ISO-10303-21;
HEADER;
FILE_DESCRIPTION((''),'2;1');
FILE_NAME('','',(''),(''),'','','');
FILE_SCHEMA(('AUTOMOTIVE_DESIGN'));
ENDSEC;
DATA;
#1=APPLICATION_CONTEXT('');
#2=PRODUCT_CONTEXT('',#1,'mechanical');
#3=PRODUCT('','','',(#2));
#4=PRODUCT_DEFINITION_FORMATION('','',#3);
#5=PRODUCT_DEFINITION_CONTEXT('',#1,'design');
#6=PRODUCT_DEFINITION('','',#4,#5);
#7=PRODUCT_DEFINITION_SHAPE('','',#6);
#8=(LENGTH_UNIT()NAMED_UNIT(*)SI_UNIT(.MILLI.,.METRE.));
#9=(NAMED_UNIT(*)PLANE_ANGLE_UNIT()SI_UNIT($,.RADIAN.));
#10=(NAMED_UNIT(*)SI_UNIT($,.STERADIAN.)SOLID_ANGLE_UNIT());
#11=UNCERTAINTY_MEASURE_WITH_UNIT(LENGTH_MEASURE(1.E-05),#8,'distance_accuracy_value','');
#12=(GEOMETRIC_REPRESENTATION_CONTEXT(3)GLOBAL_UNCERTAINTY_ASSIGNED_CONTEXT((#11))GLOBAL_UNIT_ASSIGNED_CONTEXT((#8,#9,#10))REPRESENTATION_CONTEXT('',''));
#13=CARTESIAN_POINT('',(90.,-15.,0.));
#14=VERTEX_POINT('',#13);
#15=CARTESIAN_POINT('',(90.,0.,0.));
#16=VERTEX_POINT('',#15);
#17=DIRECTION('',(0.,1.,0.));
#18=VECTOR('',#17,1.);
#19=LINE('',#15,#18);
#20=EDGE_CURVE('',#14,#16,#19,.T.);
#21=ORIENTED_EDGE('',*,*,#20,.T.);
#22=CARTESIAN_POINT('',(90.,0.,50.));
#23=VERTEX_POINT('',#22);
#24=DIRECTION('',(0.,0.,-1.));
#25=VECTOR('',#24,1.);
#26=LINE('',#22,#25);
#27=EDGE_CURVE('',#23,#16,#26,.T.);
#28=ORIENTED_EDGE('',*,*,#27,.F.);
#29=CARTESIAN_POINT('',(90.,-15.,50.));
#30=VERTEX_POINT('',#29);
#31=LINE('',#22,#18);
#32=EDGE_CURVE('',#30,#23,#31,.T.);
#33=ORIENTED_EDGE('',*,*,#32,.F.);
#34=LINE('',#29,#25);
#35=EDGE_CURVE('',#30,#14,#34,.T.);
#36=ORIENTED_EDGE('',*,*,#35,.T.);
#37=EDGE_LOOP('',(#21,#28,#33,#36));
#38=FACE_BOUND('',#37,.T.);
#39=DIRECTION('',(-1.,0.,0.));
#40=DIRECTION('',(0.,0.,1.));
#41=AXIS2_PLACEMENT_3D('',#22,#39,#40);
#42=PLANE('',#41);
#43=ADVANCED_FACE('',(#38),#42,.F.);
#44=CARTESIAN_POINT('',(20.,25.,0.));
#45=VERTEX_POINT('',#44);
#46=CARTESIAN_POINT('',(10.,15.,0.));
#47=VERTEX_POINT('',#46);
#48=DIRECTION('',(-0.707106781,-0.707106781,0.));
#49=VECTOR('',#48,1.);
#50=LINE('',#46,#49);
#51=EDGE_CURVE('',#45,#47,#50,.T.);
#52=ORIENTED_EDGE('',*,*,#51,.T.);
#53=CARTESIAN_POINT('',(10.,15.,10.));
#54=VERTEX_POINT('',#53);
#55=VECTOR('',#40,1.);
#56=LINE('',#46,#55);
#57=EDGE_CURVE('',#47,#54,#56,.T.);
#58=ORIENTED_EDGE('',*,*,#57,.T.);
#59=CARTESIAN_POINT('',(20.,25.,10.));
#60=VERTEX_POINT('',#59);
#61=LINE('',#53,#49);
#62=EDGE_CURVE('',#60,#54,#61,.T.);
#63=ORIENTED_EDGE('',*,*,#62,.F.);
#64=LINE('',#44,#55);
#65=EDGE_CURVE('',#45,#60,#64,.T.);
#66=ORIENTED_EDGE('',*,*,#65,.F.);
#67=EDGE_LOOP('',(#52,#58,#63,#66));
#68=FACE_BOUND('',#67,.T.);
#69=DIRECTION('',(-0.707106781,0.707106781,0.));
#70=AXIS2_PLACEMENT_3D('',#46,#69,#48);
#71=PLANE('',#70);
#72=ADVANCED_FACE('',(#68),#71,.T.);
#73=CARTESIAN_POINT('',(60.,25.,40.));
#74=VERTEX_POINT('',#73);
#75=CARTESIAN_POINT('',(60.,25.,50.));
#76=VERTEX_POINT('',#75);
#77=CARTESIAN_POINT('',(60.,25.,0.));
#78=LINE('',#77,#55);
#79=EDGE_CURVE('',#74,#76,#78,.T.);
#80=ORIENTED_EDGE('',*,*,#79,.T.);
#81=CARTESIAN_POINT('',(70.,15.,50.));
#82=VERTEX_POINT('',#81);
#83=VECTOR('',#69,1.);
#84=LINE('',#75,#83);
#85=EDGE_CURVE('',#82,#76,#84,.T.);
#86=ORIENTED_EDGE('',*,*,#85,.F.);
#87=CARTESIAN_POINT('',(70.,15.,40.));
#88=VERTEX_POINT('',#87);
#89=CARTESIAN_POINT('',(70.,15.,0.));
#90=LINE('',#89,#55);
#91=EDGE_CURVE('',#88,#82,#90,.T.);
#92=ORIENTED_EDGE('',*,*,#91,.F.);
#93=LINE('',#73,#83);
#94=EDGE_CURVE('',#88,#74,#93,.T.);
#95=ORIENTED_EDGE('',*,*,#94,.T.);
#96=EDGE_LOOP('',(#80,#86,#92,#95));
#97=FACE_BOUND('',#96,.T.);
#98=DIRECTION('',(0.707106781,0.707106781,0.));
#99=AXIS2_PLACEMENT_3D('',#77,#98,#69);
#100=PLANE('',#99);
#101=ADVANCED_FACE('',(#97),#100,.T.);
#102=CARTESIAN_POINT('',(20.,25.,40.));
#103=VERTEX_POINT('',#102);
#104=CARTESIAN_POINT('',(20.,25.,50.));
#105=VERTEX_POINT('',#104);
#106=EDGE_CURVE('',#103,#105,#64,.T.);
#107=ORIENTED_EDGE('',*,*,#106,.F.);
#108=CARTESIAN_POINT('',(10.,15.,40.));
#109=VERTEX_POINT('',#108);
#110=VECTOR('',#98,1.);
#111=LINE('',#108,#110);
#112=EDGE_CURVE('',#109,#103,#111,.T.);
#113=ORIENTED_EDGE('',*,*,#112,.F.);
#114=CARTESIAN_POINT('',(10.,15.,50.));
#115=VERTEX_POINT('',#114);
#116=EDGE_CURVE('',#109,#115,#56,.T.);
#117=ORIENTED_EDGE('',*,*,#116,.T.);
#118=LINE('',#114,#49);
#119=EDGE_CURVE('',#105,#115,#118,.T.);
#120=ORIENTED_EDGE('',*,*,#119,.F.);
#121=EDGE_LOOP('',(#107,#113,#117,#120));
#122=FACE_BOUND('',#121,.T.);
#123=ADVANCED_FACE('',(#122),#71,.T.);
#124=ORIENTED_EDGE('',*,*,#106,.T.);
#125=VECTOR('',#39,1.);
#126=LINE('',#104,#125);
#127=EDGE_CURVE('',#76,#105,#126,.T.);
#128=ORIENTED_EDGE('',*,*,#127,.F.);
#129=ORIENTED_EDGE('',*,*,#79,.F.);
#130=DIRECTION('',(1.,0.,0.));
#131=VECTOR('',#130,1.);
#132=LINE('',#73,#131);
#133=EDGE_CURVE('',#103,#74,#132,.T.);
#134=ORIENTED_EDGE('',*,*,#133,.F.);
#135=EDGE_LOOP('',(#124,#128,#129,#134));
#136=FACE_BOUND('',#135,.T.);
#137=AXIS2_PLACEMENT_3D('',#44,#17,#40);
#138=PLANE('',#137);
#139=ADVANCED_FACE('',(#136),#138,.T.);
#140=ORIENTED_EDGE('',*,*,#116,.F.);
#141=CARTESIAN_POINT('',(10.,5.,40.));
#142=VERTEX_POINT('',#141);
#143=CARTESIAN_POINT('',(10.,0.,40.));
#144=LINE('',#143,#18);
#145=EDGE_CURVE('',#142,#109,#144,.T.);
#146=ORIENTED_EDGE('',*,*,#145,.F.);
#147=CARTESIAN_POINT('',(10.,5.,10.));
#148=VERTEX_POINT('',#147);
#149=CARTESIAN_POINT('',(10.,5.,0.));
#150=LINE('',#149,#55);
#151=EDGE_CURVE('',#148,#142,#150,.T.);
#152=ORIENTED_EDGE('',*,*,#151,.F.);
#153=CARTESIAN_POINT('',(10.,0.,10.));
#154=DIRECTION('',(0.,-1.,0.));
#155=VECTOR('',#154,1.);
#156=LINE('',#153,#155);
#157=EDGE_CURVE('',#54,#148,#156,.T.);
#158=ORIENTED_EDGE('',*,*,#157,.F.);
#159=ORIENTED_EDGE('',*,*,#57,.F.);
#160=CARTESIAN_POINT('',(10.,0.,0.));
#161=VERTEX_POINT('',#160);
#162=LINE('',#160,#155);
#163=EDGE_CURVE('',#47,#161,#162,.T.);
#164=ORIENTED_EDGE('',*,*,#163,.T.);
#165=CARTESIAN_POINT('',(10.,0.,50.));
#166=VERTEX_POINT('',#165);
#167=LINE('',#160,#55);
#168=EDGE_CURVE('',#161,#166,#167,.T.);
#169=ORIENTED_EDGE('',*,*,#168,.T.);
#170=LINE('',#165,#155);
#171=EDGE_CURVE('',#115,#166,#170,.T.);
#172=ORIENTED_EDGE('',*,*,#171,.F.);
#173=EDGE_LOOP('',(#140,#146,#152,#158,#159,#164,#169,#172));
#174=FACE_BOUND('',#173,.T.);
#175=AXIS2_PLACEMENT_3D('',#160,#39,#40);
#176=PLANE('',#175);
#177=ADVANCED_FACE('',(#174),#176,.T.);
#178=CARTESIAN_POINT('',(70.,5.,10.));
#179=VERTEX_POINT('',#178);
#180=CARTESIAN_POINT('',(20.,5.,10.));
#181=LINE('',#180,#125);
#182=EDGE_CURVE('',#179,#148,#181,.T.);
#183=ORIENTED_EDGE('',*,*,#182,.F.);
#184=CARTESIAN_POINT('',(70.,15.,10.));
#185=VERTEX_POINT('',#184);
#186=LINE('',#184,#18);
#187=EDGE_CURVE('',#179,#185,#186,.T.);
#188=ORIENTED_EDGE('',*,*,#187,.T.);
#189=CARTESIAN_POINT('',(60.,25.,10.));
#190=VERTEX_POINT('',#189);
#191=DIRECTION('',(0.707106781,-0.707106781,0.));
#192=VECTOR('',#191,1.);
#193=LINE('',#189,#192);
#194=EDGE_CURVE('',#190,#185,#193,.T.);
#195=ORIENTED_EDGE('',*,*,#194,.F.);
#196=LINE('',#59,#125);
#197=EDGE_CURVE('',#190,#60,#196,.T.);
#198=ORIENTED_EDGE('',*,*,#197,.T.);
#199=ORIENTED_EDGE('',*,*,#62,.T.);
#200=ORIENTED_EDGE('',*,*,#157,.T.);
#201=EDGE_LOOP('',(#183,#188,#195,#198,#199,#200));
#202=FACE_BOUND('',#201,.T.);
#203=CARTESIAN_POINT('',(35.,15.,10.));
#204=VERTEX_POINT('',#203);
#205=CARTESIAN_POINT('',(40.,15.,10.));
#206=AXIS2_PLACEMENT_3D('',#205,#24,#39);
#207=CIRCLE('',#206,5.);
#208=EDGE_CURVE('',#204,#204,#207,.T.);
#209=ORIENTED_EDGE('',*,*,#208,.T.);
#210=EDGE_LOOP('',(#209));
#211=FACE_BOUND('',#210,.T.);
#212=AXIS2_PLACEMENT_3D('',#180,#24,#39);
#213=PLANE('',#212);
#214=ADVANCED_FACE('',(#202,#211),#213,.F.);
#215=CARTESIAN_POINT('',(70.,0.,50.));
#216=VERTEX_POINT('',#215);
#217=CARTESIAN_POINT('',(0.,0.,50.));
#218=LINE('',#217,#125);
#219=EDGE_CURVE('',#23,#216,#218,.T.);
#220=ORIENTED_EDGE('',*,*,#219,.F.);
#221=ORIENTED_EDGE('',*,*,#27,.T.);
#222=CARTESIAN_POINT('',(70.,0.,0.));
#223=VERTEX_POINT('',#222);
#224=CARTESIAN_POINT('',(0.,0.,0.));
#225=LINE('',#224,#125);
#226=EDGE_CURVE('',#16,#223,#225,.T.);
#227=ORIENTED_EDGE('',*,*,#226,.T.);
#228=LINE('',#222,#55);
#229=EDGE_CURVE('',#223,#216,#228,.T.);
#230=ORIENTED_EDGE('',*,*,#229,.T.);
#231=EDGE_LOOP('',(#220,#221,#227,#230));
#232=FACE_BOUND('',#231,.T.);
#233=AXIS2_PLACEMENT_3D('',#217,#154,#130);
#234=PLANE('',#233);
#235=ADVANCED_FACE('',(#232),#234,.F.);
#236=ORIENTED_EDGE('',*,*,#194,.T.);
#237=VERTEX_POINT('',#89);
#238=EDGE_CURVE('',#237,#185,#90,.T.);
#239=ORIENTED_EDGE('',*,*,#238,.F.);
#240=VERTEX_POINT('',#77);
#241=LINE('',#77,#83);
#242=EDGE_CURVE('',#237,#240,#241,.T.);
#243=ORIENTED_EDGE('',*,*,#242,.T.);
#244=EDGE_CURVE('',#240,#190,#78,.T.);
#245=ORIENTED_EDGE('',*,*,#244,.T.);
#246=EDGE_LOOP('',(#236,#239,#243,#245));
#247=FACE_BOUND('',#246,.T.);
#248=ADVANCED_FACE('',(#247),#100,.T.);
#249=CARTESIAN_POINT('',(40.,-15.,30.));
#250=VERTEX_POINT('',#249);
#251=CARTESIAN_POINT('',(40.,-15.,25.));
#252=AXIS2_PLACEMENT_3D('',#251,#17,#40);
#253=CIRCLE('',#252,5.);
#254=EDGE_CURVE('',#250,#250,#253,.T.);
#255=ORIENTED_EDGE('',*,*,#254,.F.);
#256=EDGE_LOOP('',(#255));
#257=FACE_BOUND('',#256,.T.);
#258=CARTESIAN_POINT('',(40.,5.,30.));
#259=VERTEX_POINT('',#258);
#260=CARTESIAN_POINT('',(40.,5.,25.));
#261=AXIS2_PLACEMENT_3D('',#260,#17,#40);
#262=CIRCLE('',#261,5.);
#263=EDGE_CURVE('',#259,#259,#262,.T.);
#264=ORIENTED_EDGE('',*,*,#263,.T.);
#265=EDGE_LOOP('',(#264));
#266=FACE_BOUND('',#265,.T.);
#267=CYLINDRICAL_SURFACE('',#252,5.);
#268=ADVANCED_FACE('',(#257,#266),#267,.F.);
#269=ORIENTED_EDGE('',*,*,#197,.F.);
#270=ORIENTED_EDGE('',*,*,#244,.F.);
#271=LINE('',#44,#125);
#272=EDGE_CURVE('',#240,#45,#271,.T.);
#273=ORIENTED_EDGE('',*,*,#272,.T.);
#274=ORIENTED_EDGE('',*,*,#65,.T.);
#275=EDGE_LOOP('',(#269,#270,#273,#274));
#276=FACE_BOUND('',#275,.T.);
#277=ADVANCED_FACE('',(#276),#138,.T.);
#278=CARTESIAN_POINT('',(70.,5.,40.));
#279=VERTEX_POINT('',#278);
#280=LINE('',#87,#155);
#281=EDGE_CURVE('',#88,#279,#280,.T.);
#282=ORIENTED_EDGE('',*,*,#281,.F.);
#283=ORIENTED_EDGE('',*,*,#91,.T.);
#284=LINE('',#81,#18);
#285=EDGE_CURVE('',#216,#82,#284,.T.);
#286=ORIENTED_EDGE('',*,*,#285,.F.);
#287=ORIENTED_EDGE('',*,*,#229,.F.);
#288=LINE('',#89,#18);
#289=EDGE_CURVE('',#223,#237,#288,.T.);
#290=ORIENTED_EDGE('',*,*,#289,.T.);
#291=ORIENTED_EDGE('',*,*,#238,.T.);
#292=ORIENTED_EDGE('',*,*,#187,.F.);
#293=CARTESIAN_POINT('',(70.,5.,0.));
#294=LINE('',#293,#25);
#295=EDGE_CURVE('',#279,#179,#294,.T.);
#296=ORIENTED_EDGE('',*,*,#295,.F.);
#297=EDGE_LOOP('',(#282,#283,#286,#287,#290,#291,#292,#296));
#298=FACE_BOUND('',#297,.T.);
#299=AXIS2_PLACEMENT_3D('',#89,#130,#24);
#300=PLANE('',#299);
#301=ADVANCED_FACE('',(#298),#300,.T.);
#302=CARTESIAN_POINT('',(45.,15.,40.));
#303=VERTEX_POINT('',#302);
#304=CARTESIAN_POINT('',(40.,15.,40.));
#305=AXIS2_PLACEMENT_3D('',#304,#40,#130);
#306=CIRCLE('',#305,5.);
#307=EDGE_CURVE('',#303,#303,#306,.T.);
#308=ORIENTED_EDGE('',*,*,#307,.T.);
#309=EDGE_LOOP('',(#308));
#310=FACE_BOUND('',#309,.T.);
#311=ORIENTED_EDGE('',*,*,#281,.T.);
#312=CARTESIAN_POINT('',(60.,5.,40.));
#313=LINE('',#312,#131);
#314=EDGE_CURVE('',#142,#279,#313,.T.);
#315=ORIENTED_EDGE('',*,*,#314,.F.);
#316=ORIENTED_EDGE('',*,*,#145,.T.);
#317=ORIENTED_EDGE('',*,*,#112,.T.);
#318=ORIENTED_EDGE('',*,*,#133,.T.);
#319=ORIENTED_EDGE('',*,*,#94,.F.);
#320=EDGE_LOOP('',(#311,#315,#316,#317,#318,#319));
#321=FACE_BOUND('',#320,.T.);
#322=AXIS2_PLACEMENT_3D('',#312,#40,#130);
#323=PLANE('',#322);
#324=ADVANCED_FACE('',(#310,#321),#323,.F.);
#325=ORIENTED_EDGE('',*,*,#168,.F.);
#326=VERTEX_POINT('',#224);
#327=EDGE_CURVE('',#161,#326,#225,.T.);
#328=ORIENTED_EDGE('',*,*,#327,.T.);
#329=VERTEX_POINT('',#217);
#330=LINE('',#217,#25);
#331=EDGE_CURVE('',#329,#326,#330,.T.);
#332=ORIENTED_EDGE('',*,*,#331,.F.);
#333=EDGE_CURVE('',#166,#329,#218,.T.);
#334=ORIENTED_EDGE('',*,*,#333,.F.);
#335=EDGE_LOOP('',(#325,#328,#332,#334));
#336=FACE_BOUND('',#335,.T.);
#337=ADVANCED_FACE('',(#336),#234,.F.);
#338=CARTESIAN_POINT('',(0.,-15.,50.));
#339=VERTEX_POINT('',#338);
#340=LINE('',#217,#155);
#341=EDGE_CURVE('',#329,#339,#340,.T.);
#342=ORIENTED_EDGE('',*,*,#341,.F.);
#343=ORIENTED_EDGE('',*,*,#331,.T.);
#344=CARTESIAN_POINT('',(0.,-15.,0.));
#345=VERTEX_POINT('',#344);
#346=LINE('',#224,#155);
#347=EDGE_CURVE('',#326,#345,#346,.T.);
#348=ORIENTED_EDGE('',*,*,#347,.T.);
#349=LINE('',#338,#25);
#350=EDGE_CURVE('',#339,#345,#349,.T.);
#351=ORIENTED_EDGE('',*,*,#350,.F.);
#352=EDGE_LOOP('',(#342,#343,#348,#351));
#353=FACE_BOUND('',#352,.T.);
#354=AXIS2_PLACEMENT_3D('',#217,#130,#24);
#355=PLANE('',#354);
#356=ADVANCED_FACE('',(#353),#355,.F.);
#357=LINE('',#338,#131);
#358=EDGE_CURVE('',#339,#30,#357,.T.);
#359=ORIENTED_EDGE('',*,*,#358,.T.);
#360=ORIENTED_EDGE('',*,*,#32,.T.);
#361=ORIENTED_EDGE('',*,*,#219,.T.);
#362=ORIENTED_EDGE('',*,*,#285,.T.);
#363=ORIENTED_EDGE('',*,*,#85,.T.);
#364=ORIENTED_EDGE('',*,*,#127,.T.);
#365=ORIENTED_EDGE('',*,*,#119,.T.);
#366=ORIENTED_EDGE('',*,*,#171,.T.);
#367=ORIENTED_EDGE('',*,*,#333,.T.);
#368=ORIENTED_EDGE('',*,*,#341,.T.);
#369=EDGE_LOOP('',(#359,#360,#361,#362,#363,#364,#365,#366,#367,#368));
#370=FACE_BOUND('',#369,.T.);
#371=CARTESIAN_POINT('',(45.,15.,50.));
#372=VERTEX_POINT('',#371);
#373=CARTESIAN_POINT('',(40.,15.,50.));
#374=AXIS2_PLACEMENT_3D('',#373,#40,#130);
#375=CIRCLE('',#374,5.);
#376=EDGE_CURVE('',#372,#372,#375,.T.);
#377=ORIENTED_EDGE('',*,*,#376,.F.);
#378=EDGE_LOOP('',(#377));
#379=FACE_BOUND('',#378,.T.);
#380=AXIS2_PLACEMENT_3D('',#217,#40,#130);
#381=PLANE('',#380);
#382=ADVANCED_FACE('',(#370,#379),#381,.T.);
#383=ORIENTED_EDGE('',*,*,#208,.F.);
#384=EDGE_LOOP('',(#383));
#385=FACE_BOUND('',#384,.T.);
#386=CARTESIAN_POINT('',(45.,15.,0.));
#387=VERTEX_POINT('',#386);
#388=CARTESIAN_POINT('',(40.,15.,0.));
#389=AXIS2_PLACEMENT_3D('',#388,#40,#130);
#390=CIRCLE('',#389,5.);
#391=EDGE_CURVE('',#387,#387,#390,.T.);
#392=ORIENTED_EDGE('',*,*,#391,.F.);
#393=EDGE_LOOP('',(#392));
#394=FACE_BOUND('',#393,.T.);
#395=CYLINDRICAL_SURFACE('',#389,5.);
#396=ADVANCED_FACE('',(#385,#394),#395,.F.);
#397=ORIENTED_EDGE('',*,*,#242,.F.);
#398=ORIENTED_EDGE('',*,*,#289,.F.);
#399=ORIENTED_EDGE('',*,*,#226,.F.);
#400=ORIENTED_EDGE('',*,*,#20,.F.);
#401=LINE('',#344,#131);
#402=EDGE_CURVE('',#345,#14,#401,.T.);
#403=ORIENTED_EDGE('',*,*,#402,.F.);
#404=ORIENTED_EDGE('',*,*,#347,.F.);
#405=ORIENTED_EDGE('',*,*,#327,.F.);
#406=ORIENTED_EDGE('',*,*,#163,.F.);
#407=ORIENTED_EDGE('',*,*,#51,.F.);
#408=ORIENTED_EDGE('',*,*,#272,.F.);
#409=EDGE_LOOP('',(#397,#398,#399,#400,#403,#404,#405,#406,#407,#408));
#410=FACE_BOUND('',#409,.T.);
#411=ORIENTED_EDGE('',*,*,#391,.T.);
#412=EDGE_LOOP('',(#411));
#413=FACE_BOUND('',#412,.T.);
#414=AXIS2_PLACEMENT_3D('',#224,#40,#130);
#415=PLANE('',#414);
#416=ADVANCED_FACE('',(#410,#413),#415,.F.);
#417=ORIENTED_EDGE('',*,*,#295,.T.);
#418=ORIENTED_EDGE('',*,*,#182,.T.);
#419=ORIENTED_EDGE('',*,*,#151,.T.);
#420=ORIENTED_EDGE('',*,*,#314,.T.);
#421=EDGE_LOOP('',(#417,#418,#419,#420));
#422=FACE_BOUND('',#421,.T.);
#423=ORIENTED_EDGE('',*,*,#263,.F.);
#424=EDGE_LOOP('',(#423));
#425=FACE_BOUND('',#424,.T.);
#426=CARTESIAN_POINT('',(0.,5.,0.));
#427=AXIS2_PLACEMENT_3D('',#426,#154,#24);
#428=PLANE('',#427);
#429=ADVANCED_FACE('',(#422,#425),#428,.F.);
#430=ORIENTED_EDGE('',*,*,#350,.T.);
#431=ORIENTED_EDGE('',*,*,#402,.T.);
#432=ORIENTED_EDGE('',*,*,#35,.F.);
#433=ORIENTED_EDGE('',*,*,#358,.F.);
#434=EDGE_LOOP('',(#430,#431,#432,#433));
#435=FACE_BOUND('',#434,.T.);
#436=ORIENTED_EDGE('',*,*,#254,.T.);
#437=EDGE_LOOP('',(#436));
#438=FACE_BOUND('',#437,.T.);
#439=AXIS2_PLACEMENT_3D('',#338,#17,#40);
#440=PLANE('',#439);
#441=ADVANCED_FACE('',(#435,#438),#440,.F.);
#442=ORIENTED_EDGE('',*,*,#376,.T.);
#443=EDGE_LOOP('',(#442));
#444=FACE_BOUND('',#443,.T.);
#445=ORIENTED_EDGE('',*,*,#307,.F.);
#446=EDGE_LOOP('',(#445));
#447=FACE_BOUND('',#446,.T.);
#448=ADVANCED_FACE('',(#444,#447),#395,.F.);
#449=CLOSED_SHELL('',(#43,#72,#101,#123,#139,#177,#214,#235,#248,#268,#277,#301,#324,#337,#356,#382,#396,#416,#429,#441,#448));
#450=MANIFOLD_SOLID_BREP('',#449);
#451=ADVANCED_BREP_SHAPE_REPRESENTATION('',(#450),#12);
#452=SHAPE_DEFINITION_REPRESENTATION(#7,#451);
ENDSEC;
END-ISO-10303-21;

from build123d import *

# Parameters (mm, degrees)
SKETCH3_W                      = 90
SKETCH3_H                      = 15
BOSS_EXTRUDE1_DEPTH            = 50
BOSS_EXTRUDE2_DEPTH            = 50
SKETCH6_W                      = 40
SKETCH6_H                      = 30
CUT_EXTRUDE1_DEPTH             = 20
CUT_EXTRUDE2_REACH             = 91.791
SKETCH7_W                      = 30
SKETCH7_H                      = 14.142135623
CUT_EXTRUDE2_DIRECTION_2_DEPTH = 90.79142498
CUT_EXTRUDE3_DEPTH             = 90.582364336
CUT_EXTRUDE3_DEPTH_BACK        = 90.582364336
SKETCH8_W                      = 30
SKETCH8_H                      = 10
SKETCH9_W                      = 30
SKETCH9_H                      = 14.142135623
CUT_EXTRUDE4_DEPTH             = 10.5
CUT_EXTRUDE5_DEPTH             = 106.948100502
CUT_EXTRUDE5_DEPTH_BACK        = 106.948100502
SKETCH10_R                     = 5
CUT_EXTRUDE6_DEPTH             = 105.880884817
CUT_EXTRUDE6_DEPTH_BACK        = 105.880884817
SKETCH11_R                     = 5


with BuildPart() as part:
    # Sketch3 → Boss-Extrude1 (new body)
    with BuildSketch(Plane.XY):
        with Locations((45, -7.5)):
            Rectangle(SKETCH3_W, SKETCH3_H)
    extrude(amount=BOSS_EXTRUDE1_DEPTH)

    # Sketch5 → Boss-Extrude2 (add)
    with BuildSketch(Plane.XY.offset(50)):
        Polygon((10, 0), (10, 15), (20, 25), (60, 25), (70, 15), (70, 0), align=None)
    extrude(amount=-BOSS_EXTRUDE2_DEPTH)

    # Sketch6 → Cut-Extrude1 (cut)
    with BuildSketch(Plane(origin=(0, 25, 0), x_dir=(1, 0, 0), z_dir=(0, 1, 0))):
        with Locations((40, -25)):
            Rectangle(SKETCH6_W, SKETCH6_H)
    extrude(amount=-CUT_EXTRUDE1_DEPTH, mode=Mode.SUBTRACT)

    # Sketch7 → Cut-Extrude2 (cut, up to next)
    with BuildSketch(Plane(origin=(42.5, 42.5, 0), x_dir=(0, 0, -1), z_dir=(0.7071067811865472, 0.7071067811865479, 0)), mode=Mode.PRIVATE) as cut_extrude2_sk1:
        with Locations((-25, -31.819805153)):
            Rectangle(SKETCH7_W, SKETCH7_H)
    cut_extrude2_tool1 = extrude(cut_extrude2_sk1.sketch, amount=-CUT_EXTRUDE2_REACH, mode=Mode.PRIVATE) & part.part
    add(cut_extrude2_tool1.solids().sort_by_distance((65, 20, 25))[0], mode=Mode.SUBTRACT)

    # Sketch7 → Cut-Extrude2 direction 2 (cut)
    with BuildSketch(Plane(origin=(42.5, 42.5, 0), x_dir=(0, 0, -1), z_dir=(0.7071067811865472, 0.7071067811865479, 0))):
        with Locations((-25, -31.819805153)):
            Rectangle(SKETCH7_W, SKETCH7_H)
    extrude(amount=CUT_EXTRUDE2_DIRECTION_2_DEPTH, mode=Mode.SUBTRACT)

    # Sketch8 → Cut-Extrude3 (cut, two sides: drawn at the far end of the back side and taken through both)
    with BuildSketch(Plane(origin=(70, 0, 0), x_dir=(0, 0, -1), z_dir=(1, 0, 0)).offset(-CUT_EXTRUDE3_DEPTH_BACK)):
        with Locations((-25, 10)):
            Rectangle(SKETCH8_W, SKETCH8_H)
    extrude(amount=CUT_EXTRUDE3_DEPTH + CUT_EXTRUDE3_DEPTH_BACK, mode=Mode.SUBTRACT)

    # Sketch9 → Cut-Extrude4 (cut, symmetric)
    with BuildSketch(Plane(origin=(-2.5, 2.5, 0), x_dir=(0, 0, 1), z_dir=(-0.7071067811865477, 0.7071067811865475, 0))):
        with Locations((25, 24.748737342)):
            Rectangle(SKETCH9_W, SKETCH9_H)
    extrude(amount=CUT_EXTRUDE4_DEPTH, both=True, mode=Mode.SUBTRACT)

    # Sketch10 → Cut-Extrude5 (cut, two sides: drawn at the far end of the back side and taken through both)
    with BuildSketch(Plane.XY.offset(50).offset(-CUT_EXTRUDE5_DEPTH_BACK)):
        with Locations((40, 15)):
            Circle(SKETCH10_R)
    extrude(amount=CUT_EXTRUDE5_DEPTH + CUT_EXTRUDE5_DEPTH_BACK, mode=Mode.SUBTRACT)

    # Sketch11 → Cut-Extrude6 (cut, two sides: drawn at the far end of the back side and taken through both)
    with BuildSketch(Plane(origin=(0, 5, 0), x_dir=(1, 0, 0), z_dir=(0, 1, 0)).offset(-CUT_EXTRUDE6_DEPTH_BACK)):
        with Locations(Location((40, -25, 0), (0, 0, 270))):
            Circle(SKETCH11_R)
    extrude(amount=CUT_EXTRUDE6_DEPTH + CUT_EXTRUDE6_DEPTH_BACK, mode=Mode.SUBTRACT)


solid = part.part
